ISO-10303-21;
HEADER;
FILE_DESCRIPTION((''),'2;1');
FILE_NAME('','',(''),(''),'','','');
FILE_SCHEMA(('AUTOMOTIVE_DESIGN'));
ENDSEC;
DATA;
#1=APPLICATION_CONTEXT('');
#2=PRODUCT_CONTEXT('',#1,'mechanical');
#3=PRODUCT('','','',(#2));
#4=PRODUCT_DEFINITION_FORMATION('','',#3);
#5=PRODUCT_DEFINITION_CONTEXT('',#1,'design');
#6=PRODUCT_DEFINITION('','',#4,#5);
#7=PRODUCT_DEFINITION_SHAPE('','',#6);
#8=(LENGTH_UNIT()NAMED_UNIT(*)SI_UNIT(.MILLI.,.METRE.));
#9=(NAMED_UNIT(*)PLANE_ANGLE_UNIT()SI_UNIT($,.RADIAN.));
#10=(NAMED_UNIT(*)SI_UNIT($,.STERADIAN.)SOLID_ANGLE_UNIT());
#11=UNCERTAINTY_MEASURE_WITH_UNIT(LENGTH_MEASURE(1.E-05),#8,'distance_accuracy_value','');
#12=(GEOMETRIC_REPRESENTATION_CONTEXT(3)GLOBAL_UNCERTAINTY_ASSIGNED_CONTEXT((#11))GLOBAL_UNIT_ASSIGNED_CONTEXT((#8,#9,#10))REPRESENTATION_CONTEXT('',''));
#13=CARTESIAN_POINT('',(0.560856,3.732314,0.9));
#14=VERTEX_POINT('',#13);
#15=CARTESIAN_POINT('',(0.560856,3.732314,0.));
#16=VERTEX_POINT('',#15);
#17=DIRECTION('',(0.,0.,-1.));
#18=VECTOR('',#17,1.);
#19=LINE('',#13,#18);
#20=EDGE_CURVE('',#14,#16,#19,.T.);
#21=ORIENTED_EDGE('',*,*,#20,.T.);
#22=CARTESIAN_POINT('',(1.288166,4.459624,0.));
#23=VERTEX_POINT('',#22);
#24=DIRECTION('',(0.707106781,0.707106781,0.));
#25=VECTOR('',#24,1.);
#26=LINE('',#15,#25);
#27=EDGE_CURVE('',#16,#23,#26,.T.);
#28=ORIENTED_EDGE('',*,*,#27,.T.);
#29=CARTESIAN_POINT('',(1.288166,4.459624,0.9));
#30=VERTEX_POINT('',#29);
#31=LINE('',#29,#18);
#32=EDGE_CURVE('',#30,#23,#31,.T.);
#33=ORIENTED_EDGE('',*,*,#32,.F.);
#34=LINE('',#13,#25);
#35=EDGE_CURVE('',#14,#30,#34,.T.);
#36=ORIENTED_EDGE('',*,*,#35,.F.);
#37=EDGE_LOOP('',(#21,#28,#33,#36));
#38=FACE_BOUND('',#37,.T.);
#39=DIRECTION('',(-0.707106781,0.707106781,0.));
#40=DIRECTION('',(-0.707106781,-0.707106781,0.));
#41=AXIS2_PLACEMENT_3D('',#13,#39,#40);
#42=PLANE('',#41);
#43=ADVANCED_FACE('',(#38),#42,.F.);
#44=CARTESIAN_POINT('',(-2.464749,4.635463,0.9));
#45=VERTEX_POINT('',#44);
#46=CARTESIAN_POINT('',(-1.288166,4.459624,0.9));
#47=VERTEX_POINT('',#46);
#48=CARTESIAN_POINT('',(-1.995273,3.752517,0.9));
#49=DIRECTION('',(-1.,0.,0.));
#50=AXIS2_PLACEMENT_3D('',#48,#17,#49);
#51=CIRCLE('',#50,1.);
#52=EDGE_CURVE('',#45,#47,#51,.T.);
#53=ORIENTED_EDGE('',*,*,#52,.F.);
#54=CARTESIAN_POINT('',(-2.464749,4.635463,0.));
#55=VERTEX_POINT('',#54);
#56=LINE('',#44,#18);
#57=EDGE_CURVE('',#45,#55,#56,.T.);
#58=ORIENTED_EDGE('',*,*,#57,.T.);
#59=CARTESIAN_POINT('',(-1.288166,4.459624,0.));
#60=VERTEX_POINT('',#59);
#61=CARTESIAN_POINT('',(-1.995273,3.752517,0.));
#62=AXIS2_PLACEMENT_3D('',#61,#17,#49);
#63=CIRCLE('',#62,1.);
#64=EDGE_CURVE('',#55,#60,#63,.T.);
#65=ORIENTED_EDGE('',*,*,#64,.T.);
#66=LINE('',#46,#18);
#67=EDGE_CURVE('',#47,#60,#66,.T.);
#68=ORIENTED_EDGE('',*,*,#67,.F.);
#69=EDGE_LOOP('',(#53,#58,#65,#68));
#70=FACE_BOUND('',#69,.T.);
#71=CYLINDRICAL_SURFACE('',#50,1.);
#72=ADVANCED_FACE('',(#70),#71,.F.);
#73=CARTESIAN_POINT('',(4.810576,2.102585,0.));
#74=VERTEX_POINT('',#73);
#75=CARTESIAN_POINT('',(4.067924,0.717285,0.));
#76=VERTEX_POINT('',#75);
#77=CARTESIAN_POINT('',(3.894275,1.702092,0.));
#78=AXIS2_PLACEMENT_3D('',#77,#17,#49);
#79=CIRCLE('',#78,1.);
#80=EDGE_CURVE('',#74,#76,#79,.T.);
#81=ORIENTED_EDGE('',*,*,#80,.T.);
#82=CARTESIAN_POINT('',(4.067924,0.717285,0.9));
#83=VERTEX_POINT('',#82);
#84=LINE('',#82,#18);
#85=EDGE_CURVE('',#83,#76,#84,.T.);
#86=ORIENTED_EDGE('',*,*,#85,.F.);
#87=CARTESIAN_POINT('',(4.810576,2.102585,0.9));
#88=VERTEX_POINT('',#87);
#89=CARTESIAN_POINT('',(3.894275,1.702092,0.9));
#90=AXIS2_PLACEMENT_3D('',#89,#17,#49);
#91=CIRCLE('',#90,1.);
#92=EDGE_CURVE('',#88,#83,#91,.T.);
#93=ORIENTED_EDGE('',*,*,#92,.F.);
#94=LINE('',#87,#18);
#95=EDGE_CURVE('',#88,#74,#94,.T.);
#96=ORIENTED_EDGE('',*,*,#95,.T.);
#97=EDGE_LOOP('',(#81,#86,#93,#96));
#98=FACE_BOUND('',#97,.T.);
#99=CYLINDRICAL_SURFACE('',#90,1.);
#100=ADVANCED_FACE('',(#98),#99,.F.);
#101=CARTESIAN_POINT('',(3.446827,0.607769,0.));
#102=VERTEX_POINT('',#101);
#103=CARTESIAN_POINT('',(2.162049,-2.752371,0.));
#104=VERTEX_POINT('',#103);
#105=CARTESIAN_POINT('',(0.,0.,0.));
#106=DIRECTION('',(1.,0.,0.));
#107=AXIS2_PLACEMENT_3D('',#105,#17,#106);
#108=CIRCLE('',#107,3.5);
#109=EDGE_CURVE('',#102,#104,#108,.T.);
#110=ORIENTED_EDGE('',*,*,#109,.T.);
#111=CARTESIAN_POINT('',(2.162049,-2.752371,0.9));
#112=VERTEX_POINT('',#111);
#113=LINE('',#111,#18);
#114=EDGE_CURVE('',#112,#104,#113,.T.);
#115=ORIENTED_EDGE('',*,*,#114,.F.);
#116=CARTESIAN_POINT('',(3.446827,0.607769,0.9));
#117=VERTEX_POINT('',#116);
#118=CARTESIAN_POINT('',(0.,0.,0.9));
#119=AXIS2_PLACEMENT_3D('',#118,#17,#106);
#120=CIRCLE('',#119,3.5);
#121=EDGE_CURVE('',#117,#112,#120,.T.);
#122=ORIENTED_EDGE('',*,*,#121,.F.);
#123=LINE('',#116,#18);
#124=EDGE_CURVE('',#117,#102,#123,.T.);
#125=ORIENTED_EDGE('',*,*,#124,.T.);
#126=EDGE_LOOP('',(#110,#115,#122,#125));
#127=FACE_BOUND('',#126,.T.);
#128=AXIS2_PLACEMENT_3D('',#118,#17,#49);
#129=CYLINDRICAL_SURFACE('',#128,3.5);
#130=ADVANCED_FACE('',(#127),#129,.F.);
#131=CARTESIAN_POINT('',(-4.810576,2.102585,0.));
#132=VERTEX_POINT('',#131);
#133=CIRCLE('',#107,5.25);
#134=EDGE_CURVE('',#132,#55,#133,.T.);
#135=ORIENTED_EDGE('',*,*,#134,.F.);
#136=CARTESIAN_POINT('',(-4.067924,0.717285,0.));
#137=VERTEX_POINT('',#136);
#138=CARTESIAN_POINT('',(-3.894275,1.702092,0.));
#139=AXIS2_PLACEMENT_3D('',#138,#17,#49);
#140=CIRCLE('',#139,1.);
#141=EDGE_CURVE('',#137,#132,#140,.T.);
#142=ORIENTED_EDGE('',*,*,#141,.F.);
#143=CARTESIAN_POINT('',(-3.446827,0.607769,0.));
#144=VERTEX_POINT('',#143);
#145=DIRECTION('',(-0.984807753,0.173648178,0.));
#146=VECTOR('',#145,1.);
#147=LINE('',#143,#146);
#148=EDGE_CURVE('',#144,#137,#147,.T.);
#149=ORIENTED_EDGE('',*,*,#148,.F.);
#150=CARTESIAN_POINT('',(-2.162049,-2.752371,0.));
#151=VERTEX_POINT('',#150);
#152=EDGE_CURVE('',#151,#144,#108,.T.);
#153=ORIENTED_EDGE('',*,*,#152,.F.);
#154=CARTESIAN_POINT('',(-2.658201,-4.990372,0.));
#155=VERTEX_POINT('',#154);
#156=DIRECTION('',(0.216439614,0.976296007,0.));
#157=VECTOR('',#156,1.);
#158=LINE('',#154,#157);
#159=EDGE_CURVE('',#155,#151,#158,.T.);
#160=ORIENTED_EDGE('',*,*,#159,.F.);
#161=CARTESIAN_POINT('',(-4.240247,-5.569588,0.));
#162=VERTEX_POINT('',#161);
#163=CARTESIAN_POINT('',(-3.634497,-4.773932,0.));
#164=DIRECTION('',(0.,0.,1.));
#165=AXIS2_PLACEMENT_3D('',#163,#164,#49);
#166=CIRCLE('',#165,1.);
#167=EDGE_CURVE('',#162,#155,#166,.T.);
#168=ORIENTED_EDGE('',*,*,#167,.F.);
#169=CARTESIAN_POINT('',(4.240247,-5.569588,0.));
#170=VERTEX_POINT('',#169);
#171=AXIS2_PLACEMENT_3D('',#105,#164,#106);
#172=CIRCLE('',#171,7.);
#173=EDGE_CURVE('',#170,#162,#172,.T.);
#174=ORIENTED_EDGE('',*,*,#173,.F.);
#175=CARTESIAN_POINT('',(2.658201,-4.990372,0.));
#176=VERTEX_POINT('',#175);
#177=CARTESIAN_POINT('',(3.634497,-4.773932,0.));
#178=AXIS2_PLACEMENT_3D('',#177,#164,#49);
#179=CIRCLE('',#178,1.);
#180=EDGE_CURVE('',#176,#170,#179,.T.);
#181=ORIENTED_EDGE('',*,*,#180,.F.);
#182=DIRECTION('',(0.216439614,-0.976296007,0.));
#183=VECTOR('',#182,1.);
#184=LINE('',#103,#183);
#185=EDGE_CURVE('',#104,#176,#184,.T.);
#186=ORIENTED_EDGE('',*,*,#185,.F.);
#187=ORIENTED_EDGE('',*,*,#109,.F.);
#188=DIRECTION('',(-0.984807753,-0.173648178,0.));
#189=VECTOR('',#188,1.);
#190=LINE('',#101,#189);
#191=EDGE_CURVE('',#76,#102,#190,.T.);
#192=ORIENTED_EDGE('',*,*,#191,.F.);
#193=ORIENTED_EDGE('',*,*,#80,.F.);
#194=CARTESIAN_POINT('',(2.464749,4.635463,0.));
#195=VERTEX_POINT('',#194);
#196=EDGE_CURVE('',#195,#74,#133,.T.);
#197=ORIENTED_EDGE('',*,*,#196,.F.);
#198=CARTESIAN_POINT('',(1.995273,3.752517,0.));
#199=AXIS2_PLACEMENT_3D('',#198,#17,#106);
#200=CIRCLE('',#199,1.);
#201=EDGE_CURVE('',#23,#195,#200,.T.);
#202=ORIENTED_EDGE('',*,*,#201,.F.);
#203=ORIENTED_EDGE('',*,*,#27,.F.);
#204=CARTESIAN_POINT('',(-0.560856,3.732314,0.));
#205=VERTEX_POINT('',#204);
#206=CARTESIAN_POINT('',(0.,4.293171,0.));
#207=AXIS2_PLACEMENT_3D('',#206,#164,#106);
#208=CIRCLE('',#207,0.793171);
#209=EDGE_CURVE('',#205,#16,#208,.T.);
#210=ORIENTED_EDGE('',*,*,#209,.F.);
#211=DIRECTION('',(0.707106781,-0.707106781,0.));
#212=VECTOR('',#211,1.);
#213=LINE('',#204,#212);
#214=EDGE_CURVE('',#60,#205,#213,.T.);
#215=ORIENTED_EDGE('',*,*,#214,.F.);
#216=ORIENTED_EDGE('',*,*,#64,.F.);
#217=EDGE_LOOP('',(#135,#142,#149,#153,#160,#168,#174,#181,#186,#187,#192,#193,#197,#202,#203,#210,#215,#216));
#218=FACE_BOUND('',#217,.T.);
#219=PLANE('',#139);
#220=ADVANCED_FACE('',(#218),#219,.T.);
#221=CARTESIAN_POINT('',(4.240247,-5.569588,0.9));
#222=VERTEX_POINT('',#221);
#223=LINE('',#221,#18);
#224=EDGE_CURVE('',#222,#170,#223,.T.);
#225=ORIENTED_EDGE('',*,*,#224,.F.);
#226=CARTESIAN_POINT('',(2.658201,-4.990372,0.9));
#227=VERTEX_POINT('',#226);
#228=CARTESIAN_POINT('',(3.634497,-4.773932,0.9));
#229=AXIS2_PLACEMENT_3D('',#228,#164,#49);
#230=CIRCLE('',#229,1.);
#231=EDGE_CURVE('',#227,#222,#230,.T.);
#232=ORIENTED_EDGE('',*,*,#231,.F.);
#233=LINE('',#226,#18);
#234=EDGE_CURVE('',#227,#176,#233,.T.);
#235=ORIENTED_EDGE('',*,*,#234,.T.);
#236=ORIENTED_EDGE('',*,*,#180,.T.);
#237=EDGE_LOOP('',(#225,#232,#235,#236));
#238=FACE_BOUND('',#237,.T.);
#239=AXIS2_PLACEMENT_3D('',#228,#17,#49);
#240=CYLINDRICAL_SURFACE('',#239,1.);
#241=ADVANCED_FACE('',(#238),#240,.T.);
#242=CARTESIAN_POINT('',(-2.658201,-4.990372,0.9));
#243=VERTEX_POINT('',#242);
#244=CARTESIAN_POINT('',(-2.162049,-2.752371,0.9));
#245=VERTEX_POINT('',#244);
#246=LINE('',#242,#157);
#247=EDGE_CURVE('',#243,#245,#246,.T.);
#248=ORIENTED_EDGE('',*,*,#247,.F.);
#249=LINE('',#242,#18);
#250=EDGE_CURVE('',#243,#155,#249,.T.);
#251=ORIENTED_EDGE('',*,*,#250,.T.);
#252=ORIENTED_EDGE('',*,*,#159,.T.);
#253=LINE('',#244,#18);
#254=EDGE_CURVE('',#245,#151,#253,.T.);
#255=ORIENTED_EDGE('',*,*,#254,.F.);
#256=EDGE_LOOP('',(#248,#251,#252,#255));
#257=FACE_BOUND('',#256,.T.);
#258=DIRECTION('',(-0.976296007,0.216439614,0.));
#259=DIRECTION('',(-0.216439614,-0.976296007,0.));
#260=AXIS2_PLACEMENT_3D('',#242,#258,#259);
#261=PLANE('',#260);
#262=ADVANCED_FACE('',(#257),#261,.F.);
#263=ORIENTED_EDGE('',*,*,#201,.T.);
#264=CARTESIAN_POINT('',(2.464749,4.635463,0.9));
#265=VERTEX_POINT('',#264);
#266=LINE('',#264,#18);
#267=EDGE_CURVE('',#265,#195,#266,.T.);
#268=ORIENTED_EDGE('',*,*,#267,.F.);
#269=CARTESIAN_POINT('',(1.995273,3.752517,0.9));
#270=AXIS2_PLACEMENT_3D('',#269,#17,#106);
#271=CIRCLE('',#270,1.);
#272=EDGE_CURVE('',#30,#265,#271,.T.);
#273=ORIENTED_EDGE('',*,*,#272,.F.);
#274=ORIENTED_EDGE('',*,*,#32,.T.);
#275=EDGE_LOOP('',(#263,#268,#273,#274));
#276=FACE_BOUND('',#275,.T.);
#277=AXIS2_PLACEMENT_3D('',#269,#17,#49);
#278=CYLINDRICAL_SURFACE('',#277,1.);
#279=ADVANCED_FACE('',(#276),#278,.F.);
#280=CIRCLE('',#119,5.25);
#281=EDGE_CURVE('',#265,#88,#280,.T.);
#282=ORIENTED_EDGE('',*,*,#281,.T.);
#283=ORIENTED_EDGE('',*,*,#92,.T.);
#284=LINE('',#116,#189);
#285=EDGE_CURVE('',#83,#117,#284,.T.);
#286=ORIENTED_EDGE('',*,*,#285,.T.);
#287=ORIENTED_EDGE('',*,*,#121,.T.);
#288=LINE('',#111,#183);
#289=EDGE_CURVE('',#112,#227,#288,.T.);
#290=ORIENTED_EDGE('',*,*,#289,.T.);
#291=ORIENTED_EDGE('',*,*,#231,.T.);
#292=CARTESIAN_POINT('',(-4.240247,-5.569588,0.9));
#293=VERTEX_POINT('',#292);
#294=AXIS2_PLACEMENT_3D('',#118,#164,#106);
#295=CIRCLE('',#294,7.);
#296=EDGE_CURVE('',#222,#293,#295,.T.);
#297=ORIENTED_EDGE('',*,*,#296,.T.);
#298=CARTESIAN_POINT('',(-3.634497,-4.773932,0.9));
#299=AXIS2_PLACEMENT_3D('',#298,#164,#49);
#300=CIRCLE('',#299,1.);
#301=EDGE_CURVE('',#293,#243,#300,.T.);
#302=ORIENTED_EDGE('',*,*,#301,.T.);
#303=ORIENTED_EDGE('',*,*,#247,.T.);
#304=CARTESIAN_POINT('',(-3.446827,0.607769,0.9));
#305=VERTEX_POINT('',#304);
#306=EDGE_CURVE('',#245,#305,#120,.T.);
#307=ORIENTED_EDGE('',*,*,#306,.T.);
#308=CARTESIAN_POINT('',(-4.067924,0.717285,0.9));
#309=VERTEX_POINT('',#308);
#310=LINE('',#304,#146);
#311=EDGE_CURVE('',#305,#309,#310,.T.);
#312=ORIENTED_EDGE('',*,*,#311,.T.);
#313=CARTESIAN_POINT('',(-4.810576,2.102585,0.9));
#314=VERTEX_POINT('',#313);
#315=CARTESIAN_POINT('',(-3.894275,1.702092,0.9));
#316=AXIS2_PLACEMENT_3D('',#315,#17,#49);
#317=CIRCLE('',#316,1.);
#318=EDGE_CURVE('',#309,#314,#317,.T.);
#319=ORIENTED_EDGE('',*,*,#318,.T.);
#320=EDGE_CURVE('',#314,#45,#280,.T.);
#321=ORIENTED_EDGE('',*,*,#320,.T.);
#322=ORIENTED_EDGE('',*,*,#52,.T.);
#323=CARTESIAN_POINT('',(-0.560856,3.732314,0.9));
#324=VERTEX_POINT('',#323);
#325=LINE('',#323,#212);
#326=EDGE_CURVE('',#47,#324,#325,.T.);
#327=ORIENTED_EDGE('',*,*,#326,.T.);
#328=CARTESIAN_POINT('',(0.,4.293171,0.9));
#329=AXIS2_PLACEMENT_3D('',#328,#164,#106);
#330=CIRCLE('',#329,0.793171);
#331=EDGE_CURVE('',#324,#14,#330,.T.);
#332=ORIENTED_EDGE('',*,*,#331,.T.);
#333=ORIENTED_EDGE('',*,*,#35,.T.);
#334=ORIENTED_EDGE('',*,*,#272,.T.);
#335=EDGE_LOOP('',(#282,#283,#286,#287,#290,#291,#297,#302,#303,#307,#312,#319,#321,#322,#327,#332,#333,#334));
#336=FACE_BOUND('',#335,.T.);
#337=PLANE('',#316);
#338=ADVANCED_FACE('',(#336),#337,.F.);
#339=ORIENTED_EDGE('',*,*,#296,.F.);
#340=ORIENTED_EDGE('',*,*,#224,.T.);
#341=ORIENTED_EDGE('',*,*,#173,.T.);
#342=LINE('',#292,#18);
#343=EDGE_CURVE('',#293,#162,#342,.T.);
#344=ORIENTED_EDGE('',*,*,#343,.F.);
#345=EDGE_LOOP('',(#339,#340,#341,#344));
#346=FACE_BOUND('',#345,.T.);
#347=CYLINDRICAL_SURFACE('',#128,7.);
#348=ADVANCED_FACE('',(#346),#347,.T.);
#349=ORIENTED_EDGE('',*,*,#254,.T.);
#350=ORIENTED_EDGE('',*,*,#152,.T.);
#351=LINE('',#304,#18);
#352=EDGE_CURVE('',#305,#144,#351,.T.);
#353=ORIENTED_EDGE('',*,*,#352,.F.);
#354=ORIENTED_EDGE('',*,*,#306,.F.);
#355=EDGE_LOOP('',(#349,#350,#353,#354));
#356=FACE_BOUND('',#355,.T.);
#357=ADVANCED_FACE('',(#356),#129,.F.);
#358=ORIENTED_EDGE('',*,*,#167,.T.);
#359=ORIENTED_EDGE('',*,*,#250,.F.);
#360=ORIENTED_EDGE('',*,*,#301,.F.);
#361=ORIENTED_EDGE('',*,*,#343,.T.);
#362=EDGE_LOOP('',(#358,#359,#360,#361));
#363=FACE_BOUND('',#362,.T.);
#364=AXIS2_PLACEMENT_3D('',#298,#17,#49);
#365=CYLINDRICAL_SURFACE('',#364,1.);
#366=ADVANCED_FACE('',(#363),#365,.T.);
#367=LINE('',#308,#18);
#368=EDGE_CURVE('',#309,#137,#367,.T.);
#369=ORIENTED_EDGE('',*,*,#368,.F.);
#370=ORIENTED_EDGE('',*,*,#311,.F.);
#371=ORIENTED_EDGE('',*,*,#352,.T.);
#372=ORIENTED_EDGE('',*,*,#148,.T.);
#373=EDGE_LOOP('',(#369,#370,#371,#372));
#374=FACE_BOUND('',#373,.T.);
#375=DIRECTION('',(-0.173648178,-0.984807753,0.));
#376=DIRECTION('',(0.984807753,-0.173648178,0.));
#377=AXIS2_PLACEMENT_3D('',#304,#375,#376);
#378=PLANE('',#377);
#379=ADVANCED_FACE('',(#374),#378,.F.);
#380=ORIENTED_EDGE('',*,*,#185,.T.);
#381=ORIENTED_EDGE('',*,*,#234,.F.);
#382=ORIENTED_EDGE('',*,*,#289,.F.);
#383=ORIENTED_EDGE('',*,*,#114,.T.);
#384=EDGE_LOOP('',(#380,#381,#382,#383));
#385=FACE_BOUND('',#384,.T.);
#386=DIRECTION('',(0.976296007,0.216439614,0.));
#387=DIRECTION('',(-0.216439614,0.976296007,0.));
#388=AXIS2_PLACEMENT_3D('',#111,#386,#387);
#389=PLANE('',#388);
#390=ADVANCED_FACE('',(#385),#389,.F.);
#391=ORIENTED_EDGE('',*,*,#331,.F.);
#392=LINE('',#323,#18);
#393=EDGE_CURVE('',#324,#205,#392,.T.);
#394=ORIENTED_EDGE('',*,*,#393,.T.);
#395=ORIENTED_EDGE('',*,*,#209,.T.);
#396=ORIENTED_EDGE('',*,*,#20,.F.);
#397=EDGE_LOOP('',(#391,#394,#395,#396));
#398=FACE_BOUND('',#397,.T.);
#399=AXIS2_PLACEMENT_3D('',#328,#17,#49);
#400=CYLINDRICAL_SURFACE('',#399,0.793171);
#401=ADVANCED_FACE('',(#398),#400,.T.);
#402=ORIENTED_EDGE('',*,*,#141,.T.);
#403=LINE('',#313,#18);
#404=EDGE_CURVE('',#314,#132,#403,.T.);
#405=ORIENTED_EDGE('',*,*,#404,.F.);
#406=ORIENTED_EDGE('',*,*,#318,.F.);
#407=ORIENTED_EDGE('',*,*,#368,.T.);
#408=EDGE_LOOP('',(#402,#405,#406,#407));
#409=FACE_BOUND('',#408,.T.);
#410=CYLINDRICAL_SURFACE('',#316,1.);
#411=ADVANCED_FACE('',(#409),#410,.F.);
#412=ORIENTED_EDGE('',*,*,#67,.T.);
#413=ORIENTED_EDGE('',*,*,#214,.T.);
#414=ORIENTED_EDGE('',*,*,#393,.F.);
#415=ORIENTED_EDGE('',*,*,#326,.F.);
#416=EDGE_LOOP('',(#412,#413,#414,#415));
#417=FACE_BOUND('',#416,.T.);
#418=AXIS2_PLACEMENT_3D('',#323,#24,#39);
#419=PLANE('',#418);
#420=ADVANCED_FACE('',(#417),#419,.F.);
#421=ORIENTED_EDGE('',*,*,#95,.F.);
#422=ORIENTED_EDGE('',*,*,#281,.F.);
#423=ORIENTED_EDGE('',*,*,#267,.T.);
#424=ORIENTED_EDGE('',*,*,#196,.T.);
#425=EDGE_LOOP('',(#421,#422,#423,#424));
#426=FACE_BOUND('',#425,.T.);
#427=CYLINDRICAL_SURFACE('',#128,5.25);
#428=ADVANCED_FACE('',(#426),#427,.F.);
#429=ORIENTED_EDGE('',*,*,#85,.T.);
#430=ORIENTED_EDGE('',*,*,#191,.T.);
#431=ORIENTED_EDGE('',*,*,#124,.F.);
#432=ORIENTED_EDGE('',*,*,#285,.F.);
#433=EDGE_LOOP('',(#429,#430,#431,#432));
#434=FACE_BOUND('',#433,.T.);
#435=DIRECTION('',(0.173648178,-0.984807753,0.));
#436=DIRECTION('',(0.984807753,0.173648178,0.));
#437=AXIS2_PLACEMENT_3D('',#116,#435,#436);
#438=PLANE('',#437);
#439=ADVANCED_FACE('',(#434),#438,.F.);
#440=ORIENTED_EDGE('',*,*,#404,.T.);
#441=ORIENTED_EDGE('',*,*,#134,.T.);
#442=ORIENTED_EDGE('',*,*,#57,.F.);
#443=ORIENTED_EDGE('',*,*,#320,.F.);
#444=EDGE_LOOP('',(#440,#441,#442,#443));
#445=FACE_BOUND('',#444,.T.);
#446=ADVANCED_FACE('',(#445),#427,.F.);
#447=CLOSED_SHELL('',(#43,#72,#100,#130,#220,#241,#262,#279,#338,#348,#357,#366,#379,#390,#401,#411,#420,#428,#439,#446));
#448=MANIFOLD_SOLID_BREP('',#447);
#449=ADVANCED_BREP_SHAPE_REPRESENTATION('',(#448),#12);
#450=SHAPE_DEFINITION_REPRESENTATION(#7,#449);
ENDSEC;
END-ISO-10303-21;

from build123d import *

# Parameters (mm, degrees)
BASE_EXTRUSION_DEPTH = 0.9


with BuildPart() as part:
    # Esquisse1 → Base-Extrusion (new body)
    with BuildSketch(Plane.XY):
        with BuildLine():
            Line((0.560856352, 3.732314307), (1.28816612, 4.459624076))
            ThreePointArc((1.28816612, 4.459624076), (1.847465963, 4.741533528), (2.464748878, 4.635462541))
            ThreePointArc((2.464748878, 4.635462541), (3.851811763, 3.567358427), (4.810575561, 2.102584785))
            ThreePointArc((4.810575561, 2.102584785), (4.775615855, 1.229610596), (4.067923631, 0.717284692))
            Line((4.067923631, 0.717284692), (3.446827136, 0.607768622))
            ThreePointArc((3.446827136, 0.607768622), (3.26917516, -1.24999751), (2.16204859, -2.752370959))
            Line((2.16204859, -2.752370959), (2.658201428, -4.990371787))
            ThreePointArc((2.658201428, -4.990371787), (3.290696787, -5.712974831), (4.240247008, -5.569587535))
            ThreePointArc((4.240247008, -5.569587535), (0, 7), (-4.240247008, -5.569587535))
            ThreePointArc((-4.240247008, -5.569587535), (-3.290696787, -5.712974831), (-2.658201428, -4.990371787))
            Line((-2.658201428, -4.990371787), (-2.16204859, -2.752370959))
            ThreePointArc((-2.16204859, -2.752370959), (-3.26917516, -1.24999751), (-3.446827136, 0.607768622))
            Line((-3.446827136, 0.607768622), (-4.067923631, 0.717284692))
            ThreePointArc((-4.067923631, 0.717284692), (-4.775615855, 1.229610596), (-4.810575561, 2.102584785))
            ThreePointArc((-4.810575561, 2.102584785), (-3.851811763, 3.567358427), (-2.464748878, 4.635462541))
            ThreePointArc((-2.464748878, 4.635462541), (-1.847465963, 4.741533528), (-1.28816612, 4.459624076))
            Line((-1.28816612, 4.459624076), (-0.560856352, 3.732314307))
            ThreePointArc((-0.560856352, 3.732314307), (0, 3.5), (0.560856352, 3.732314307))
        make_face()
    extrude(amount=BASE_EXTRUSION_DEPTH)


solid = part.part
